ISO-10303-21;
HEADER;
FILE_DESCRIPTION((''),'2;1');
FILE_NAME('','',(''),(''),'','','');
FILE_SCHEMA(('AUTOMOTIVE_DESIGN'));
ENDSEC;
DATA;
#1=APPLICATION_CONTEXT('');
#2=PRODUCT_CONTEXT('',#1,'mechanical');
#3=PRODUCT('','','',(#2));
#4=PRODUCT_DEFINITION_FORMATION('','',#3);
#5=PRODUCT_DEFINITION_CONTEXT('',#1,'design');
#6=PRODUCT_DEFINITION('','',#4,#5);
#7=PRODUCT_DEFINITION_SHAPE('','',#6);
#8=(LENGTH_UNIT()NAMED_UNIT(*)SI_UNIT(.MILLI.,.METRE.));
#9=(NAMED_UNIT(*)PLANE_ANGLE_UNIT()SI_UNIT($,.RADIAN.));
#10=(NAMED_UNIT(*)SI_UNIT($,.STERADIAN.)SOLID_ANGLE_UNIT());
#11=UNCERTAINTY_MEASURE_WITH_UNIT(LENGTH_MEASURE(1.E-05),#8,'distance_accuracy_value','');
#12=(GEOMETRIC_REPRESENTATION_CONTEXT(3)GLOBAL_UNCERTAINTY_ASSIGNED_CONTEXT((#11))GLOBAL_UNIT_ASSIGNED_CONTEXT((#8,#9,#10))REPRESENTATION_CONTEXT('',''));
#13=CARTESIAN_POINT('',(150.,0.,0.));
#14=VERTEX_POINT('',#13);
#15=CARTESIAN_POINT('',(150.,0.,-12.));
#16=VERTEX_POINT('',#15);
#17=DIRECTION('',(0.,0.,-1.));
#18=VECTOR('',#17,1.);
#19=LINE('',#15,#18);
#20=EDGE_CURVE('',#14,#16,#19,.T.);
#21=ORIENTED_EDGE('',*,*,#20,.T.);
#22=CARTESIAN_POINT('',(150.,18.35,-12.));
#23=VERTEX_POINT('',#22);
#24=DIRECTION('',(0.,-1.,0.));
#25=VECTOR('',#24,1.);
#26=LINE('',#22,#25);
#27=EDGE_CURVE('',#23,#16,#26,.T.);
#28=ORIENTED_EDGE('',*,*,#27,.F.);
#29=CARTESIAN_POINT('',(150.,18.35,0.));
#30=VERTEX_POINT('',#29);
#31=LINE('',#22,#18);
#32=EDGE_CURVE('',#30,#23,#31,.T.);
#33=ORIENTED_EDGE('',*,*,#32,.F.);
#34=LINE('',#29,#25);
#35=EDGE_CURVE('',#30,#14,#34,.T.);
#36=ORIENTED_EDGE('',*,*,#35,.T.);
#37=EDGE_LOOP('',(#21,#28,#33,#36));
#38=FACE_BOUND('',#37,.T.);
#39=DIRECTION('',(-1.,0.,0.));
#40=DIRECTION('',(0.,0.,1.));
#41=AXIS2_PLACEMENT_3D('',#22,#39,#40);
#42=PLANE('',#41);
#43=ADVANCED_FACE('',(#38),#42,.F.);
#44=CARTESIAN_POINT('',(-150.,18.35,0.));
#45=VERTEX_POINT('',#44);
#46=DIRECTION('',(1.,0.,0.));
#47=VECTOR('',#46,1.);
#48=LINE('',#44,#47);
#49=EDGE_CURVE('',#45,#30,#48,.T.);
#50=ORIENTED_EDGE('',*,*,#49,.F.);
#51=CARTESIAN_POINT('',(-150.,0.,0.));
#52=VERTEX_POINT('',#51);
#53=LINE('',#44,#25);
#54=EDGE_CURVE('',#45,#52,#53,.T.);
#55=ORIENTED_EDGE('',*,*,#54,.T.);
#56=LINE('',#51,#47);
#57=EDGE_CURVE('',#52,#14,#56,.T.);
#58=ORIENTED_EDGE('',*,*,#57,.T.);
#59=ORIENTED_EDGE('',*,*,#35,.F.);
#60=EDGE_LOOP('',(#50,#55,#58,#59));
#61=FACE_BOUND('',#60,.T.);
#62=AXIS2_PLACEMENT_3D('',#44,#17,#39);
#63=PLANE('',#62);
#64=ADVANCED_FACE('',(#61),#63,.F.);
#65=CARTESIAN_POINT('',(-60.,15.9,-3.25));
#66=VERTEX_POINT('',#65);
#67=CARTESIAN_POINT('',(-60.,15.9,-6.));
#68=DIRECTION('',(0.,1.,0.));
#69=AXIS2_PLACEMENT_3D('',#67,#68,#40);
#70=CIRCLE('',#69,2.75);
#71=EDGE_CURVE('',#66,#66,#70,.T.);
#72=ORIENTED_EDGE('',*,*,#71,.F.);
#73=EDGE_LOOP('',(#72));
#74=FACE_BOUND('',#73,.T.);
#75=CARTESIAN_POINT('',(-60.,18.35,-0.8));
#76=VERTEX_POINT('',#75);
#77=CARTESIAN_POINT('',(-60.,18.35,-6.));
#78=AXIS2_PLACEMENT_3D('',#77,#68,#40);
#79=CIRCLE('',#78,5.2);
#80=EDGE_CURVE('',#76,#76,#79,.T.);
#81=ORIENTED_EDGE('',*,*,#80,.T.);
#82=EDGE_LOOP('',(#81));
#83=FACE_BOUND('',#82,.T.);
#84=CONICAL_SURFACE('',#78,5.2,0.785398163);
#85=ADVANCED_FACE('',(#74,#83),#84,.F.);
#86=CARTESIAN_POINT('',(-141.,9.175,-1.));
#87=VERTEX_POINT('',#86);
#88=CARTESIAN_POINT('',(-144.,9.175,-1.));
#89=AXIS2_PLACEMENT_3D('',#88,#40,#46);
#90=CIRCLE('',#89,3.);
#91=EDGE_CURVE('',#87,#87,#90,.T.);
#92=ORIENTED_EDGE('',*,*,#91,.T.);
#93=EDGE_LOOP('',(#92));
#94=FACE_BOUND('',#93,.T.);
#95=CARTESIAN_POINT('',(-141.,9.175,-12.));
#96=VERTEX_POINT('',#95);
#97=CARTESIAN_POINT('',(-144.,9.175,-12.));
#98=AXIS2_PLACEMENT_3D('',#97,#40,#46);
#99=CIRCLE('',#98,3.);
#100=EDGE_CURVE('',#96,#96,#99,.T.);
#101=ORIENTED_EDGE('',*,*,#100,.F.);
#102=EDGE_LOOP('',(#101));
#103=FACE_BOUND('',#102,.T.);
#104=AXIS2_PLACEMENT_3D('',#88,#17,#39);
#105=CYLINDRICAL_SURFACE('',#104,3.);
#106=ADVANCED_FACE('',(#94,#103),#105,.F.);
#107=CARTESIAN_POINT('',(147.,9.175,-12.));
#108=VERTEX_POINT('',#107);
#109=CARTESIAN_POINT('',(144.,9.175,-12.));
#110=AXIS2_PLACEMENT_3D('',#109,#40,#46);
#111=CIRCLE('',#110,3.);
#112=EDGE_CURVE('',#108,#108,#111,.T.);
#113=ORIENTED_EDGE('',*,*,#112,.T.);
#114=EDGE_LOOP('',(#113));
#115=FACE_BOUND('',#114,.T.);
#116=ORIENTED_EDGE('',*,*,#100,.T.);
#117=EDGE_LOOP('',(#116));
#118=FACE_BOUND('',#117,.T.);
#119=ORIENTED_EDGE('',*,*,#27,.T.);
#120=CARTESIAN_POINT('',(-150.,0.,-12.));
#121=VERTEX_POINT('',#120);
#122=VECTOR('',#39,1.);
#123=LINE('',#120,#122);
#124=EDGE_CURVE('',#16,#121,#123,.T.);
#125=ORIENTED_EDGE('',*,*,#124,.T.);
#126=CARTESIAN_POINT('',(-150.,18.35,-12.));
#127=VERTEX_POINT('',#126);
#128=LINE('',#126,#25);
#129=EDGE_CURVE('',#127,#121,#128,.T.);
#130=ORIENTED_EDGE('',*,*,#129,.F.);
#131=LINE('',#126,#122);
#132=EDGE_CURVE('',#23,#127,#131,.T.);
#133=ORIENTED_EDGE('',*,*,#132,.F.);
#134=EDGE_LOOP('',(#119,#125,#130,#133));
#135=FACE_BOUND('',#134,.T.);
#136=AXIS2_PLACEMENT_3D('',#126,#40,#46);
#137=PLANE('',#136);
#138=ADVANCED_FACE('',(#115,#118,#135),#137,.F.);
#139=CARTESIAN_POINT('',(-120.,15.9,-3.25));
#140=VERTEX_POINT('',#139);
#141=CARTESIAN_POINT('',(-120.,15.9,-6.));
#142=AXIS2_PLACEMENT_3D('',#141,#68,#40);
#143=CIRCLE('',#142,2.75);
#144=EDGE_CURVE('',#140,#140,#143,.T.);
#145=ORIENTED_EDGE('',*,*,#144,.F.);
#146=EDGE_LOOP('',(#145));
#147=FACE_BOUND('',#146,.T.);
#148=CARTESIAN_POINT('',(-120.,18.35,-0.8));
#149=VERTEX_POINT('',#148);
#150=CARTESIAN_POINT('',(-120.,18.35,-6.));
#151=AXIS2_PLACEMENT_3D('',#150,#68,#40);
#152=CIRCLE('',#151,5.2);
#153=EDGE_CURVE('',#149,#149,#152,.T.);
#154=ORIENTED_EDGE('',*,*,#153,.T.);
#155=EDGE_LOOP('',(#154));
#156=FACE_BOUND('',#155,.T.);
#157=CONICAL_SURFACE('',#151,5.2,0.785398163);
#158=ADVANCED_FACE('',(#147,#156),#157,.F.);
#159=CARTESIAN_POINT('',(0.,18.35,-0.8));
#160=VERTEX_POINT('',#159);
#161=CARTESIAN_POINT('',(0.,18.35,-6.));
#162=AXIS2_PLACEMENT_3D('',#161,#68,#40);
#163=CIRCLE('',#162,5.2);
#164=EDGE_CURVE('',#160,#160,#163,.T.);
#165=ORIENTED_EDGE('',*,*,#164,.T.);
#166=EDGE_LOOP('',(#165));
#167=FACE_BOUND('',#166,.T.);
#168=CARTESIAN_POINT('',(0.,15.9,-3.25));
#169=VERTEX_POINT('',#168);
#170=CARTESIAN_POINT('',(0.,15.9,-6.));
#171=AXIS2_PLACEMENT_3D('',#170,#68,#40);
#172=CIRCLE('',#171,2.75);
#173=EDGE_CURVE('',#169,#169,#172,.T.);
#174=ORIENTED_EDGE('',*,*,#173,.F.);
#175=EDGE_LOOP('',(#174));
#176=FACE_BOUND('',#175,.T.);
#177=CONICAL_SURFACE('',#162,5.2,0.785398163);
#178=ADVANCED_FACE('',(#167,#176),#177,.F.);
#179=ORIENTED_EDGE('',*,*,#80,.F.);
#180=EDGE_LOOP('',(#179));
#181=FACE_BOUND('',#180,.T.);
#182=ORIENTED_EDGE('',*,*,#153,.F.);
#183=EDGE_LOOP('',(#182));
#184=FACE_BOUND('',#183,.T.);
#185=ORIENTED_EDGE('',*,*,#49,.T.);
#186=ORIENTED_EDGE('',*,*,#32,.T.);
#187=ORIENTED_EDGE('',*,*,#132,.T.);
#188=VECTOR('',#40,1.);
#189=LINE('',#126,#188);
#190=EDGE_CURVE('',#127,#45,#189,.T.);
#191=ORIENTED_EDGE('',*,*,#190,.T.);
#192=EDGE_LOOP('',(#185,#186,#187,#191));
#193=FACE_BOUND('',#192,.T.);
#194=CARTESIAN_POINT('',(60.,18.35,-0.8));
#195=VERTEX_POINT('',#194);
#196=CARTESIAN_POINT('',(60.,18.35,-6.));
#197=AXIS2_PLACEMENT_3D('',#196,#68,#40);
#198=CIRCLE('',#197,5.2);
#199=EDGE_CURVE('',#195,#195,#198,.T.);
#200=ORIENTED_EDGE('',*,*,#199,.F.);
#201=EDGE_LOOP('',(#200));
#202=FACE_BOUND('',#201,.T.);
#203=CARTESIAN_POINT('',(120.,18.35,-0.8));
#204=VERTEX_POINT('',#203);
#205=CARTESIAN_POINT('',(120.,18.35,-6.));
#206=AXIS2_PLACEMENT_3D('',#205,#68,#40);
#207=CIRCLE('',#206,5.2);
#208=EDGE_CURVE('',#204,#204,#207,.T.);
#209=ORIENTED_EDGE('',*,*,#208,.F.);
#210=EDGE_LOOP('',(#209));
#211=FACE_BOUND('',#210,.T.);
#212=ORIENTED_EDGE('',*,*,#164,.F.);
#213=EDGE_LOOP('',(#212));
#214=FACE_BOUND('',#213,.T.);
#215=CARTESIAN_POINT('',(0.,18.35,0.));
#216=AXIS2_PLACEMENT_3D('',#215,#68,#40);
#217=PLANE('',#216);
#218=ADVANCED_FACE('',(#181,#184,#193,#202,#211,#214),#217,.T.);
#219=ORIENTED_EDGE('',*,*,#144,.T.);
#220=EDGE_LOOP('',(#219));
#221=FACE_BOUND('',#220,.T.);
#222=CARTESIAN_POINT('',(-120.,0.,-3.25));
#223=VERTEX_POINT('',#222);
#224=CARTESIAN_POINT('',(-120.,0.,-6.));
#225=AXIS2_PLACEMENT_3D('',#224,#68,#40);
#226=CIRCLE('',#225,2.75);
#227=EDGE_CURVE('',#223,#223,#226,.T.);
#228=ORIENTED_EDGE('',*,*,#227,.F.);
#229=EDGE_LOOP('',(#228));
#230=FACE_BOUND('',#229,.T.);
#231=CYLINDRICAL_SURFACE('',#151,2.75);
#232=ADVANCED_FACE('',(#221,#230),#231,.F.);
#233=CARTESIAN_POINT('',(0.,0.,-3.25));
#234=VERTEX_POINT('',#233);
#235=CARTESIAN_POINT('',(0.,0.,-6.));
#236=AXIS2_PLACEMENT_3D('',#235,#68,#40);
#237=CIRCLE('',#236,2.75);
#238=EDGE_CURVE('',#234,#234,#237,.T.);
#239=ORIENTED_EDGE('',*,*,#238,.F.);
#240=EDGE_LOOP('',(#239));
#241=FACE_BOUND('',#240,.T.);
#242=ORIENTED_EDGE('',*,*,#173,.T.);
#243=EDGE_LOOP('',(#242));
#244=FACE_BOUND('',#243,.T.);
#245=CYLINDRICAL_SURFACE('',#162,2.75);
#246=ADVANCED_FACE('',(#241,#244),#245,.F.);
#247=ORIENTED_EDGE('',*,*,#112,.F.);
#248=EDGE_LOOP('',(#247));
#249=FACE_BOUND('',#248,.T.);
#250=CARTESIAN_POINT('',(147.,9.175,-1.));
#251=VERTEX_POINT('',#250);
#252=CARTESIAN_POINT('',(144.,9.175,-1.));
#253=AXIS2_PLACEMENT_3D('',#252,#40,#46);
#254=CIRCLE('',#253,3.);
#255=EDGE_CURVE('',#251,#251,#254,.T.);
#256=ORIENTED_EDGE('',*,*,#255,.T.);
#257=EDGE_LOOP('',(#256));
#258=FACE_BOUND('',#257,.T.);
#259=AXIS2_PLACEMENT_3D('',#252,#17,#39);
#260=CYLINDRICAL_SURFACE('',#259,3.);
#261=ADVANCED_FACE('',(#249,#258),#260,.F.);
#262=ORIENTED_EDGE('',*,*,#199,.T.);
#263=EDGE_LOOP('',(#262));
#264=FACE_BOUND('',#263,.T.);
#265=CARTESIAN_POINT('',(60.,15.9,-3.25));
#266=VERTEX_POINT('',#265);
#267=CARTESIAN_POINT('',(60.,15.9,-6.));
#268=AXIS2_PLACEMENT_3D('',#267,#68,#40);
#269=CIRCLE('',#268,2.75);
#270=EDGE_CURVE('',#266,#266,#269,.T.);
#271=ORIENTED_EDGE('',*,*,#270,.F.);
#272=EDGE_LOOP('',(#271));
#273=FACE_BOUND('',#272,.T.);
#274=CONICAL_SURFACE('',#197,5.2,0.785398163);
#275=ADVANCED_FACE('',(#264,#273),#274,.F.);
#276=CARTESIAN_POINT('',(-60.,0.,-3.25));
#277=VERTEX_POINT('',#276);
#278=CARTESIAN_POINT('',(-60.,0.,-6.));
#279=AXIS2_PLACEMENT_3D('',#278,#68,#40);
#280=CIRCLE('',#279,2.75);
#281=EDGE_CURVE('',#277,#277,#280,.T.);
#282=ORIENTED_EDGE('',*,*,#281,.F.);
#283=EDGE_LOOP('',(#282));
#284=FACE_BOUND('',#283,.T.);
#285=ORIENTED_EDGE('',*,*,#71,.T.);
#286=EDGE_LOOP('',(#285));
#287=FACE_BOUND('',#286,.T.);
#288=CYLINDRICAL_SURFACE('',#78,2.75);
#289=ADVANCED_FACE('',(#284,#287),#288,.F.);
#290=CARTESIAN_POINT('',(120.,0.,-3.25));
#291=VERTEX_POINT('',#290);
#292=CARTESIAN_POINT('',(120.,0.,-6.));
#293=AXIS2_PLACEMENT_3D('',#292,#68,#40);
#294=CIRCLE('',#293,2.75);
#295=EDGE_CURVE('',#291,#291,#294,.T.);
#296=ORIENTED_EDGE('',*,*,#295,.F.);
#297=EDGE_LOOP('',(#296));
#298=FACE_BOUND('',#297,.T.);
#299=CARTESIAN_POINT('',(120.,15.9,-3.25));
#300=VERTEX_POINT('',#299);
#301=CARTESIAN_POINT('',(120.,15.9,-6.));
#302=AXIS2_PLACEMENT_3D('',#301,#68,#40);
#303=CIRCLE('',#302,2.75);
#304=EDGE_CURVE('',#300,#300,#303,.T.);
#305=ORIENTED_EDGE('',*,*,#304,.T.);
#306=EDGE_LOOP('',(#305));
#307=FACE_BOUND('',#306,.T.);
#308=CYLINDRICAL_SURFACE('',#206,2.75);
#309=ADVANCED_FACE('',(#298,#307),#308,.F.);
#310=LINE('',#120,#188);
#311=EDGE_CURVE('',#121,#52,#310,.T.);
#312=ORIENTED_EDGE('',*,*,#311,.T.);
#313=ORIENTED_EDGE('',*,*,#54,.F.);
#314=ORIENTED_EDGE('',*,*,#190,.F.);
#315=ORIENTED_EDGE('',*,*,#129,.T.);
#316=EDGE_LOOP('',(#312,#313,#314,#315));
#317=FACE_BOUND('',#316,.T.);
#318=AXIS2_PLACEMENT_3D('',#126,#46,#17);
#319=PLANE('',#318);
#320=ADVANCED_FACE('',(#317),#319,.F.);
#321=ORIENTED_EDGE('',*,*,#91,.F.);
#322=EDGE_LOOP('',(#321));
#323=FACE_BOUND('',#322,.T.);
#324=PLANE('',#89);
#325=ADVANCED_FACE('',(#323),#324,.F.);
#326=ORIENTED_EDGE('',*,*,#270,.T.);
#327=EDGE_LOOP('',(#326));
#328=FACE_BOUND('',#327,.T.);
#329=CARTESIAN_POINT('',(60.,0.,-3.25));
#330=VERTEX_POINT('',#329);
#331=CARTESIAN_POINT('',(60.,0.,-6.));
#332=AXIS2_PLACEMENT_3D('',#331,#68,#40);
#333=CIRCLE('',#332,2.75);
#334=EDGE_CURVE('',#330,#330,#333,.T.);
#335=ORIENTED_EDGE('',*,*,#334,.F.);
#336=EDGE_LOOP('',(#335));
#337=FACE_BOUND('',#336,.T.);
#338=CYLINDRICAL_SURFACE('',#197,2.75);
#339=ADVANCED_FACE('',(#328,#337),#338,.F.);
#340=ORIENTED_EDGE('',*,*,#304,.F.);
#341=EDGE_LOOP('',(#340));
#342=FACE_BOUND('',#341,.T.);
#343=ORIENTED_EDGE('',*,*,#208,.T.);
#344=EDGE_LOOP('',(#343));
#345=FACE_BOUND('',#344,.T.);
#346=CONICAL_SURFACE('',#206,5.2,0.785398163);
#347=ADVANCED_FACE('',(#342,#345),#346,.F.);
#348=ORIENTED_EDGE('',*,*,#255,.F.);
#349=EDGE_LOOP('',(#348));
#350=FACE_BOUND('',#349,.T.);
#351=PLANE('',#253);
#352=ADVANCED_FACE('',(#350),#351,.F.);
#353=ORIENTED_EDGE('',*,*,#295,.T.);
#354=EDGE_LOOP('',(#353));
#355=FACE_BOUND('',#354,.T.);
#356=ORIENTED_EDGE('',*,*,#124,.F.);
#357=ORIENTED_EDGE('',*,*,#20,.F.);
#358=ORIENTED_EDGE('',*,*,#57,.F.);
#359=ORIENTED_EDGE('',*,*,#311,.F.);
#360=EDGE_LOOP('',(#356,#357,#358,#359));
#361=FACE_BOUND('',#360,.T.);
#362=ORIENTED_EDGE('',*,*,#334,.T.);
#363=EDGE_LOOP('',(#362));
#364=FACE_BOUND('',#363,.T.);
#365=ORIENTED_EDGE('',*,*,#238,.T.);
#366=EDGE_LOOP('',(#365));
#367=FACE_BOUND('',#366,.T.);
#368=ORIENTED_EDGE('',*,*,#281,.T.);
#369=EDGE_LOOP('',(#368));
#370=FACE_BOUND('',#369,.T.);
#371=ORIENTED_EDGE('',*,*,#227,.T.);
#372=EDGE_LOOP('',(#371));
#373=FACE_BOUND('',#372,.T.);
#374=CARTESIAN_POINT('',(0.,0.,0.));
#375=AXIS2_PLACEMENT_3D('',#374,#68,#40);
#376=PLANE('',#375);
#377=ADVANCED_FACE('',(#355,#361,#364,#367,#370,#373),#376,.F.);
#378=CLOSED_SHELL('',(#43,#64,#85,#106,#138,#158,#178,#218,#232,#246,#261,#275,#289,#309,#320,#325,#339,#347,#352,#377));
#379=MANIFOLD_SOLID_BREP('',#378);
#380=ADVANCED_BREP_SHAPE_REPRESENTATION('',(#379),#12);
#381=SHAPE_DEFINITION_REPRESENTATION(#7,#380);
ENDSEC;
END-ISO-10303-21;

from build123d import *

# Parameters (mm, degrees)
SKETCH_1_W                 = 300
SKETCH_1_H                 = 12
EXTRUDE_268_DEPTH          = 18.35
HOLE_WIZARD_M4_D           = 5.5
HOLE_WIZARD_M4_CSINK_D     = 10.4
HOLE_WIZARD_M4_CSINK_ANGLE = 90
PATTERN_LINEAR_1_COUNT     = 3
PATTERN_LINEAR_1_PITCH     = 60
PATTERN_LINEAR_1_COL_COUNT = 3
PATTERN_LINEAR_1_COL_PITCH = 60
SKETCH_5_R                 = 3
CUT_EXTRUDE_6_DEPTH        = 11


with BuildPart() as part:
    # Эскиз1 → Extrude 268 (new body)
    with BuildSketch(Plane(origin=(0, 0, 0), x_dir=(1, 0, 0), z_dir=(0, 1, 0))):
        with Locations((0, 6)):
            Rectangle(SKETCH_1_W, SKETCH_1_H)
    extrude(amount=EXTRUDE_268_DEPTH)

    # Крепление-M4 (through all)
    with Locations(Plane(origin=(0, 18.35, 0), x_dir=(-1, 0, 0), z_dir=(0, 1, 0))):
        with Locations((0, -6)):
            hole_wizard_m4 = CounterSinkHole(HOLE_WIZARD_M4_D / 2, HOLE_WIZARD_M4_CSINK_D / 2, counter_sink_angle=HOLE_WIZARD_M4_CSINK_ANGLE)

    # Линейный массив1: Крепление-M4 ×3
    with Locations(*[(-i * PATTERN_LINEAR_1_PITCH, 0, 0) for i in range(1, PATTERN_LINEAR_1_COUNT)]):
        add(hole_wizard_m4, mode=Mode.SUBTRACT)

    # Линейный массив1 col: Крепление-M4 ×3
    with Locations(*[(i * PATTERN_LINEAR_1_COL_PITCH, 0, 0) for i in range(1, PATTERN_LINEAR_1_COL_COUNT)]):
        add(hole_wizard_m4, mode=Mode.SUBTRACT)

    # Эскиз5 → Валы-6мм (cut)
    with BuildSketch(Plane.XY.offset(-12)):
        with Locations((-144, 9.175)):
            Circle(SKETCH_5_R)
        with Locations((144, 9.175)):
            Circle(SKETCH_5_R)
    extrude(amount=CUT_EXTRUDE_6_DEPTH, mode=Mode.SUBTRACT)


solid = part.part
